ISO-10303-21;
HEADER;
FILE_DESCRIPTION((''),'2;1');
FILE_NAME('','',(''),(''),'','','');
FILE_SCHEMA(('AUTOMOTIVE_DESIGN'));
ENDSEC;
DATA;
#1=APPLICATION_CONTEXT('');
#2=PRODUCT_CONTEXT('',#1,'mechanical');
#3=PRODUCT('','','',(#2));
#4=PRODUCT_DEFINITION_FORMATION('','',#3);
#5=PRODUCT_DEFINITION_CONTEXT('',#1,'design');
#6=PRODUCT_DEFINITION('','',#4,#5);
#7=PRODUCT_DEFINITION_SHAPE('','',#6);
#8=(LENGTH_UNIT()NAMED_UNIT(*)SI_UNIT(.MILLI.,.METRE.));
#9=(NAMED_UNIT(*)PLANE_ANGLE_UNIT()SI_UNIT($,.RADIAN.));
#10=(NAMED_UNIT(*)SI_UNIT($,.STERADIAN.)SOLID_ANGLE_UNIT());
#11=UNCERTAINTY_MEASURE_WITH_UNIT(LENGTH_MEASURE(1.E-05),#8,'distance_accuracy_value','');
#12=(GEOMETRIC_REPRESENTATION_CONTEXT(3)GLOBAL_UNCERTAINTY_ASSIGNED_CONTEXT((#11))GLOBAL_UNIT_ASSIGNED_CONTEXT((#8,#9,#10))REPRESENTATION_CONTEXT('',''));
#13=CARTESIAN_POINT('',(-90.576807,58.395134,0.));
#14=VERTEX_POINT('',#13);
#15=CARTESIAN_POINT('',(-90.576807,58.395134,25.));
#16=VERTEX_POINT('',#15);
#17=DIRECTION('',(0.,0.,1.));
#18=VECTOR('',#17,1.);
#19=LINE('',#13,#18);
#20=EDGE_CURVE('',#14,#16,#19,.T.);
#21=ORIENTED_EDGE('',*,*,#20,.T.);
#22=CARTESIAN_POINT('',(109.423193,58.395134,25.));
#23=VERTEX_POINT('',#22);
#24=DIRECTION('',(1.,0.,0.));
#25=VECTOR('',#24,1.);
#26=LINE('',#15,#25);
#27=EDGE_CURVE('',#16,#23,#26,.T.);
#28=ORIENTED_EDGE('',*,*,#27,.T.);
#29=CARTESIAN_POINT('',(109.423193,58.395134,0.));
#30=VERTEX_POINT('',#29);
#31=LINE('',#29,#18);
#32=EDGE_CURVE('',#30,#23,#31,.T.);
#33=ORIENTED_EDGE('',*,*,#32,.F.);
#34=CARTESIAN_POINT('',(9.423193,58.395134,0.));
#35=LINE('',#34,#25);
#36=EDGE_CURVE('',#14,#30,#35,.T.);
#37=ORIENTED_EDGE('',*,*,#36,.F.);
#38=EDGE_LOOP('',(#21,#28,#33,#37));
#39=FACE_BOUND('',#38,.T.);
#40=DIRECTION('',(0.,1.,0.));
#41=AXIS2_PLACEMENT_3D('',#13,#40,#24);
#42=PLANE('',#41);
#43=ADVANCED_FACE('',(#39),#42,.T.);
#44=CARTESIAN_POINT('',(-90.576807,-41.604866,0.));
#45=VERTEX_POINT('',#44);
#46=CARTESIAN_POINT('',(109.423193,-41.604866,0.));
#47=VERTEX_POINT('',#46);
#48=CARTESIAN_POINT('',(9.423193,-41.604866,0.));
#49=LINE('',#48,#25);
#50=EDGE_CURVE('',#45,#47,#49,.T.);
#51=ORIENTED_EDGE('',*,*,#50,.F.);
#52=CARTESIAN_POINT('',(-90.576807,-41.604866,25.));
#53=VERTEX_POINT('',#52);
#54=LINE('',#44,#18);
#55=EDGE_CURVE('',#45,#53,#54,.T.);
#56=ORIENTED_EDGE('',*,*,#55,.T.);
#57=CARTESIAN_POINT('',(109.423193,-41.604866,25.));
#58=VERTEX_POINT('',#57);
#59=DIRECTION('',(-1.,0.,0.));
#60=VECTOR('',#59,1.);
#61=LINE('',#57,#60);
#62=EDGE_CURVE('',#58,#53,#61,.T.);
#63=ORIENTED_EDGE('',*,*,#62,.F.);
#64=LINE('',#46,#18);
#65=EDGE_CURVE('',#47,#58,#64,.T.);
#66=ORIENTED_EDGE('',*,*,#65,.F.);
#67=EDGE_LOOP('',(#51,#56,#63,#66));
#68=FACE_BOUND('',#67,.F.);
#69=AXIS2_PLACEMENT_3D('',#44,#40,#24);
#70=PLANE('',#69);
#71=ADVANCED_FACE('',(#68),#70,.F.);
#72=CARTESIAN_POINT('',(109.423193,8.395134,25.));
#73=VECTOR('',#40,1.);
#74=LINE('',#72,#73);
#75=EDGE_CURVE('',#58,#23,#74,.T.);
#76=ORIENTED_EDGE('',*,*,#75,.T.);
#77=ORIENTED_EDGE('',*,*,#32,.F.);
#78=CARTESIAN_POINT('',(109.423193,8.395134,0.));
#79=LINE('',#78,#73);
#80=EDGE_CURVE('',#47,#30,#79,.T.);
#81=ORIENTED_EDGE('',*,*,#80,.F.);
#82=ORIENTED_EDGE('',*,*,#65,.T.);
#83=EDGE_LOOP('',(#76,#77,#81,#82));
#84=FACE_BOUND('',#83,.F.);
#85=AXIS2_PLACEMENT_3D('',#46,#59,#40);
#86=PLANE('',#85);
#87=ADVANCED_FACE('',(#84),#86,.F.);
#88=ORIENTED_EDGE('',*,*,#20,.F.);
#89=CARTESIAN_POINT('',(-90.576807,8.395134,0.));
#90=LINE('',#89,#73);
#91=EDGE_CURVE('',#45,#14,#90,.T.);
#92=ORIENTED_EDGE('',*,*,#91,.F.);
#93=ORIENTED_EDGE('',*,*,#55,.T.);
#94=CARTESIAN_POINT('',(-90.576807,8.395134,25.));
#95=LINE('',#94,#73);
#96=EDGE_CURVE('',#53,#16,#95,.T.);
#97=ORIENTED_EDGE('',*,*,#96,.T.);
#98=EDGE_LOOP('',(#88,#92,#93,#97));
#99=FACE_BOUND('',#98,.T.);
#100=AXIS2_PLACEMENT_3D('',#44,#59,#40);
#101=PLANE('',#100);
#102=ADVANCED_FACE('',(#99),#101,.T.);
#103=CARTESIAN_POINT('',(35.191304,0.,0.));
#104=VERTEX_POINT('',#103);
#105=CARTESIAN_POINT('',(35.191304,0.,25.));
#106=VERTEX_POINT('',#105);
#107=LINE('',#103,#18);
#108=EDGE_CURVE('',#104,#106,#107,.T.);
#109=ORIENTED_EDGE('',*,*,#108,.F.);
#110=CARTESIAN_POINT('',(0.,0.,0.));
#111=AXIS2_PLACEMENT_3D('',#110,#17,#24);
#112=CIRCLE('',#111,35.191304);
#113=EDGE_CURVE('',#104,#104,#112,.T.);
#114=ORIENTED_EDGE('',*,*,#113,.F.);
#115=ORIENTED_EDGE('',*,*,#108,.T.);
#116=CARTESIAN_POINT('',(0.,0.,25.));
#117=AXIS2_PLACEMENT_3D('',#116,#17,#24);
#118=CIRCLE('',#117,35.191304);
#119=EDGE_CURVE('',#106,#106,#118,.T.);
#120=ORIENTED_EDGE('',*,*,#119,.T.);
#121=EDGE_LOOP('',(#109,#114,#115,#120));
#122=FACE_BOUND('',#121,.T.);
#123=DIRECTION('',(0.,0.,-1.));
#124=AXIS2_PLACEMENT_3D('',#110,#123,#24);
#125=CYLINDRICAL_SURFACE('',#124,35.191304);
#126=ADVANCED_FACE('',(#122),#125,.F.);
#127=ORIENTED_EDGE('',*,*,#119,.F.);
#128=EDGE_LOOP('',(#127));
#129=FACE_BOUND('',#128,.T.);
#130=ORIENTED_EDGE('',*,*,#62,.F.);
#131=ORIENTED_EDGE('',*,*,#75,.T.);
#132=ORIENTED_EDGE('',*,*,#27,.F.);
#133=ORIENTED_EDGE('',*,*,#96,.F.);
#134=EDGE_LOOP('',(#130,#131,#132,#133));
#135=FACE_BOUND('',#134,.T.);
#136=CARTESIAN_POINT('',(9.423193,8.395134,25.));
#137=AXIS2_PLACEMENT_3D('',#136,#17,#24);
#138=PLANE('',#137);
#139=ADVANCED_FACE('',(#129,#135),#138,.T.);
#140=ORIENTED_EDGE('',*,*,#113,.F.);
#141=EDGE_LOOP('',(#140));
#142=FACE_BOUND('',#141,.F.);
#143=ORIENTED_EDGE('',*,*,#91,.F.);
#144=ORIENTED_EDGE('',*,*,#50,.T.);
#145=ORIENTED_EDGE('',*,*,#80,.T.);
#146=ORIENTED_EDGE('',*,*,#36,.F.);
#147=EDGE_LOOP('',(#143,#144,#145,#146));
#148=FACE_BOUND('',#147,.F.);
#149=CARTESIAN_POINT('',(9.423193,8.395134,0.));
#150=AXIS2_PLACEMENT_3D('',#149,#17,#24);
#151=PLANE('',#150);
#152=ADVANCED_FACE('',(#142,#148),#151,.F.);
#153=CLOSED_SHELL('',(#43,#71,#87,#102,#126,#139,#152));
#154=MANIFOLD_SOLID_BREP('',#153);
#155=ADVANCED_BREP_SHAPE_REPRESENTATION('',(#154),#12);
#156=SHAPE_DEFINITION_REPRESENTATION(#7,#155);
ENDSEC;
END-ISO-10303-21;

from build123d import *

# Parameters (mm, degrees)
F0_W     = 200
F0_H     = 100
F0_R     = 35.191304
F1_DEPTH = 25
F3_W     = 11.49768
F3_H     = 100
F4_DEPTH = 10
F5_W     = 11.49768
F5_H     = 100
F6_DEPTH = 10


with BuildPart() as f1:
    # F0 (on Top) → F1 (new body)
    with BuildSketch(Plane.XY):
        with Locations((9.423193, 8.395134)):
            Rectangle(F0_W, F0_H)
        Circle(F0_R, mode=Mode.SUBTRACT)
    extrude(amount=F1_DEPTH)

    # F3 (on face) → F4 (join)
    with BuildSketch(Plane.XY.offset(25)):
        with Locations((-66.680519, 8.395134)):
            Rectangle(F3_W, F3_H)
    extrude(amount=-F4_DEPTH)

    # F5 (on face) → F6 (join)
    with BuildSketch(Plane.XY.offset(25)):
        with Locations((-66.680519, 8.395134)):
            Rectangle(F5_W, F5_H)
    extrude(amount=-F6_DEPTH)


solid = f1.part
